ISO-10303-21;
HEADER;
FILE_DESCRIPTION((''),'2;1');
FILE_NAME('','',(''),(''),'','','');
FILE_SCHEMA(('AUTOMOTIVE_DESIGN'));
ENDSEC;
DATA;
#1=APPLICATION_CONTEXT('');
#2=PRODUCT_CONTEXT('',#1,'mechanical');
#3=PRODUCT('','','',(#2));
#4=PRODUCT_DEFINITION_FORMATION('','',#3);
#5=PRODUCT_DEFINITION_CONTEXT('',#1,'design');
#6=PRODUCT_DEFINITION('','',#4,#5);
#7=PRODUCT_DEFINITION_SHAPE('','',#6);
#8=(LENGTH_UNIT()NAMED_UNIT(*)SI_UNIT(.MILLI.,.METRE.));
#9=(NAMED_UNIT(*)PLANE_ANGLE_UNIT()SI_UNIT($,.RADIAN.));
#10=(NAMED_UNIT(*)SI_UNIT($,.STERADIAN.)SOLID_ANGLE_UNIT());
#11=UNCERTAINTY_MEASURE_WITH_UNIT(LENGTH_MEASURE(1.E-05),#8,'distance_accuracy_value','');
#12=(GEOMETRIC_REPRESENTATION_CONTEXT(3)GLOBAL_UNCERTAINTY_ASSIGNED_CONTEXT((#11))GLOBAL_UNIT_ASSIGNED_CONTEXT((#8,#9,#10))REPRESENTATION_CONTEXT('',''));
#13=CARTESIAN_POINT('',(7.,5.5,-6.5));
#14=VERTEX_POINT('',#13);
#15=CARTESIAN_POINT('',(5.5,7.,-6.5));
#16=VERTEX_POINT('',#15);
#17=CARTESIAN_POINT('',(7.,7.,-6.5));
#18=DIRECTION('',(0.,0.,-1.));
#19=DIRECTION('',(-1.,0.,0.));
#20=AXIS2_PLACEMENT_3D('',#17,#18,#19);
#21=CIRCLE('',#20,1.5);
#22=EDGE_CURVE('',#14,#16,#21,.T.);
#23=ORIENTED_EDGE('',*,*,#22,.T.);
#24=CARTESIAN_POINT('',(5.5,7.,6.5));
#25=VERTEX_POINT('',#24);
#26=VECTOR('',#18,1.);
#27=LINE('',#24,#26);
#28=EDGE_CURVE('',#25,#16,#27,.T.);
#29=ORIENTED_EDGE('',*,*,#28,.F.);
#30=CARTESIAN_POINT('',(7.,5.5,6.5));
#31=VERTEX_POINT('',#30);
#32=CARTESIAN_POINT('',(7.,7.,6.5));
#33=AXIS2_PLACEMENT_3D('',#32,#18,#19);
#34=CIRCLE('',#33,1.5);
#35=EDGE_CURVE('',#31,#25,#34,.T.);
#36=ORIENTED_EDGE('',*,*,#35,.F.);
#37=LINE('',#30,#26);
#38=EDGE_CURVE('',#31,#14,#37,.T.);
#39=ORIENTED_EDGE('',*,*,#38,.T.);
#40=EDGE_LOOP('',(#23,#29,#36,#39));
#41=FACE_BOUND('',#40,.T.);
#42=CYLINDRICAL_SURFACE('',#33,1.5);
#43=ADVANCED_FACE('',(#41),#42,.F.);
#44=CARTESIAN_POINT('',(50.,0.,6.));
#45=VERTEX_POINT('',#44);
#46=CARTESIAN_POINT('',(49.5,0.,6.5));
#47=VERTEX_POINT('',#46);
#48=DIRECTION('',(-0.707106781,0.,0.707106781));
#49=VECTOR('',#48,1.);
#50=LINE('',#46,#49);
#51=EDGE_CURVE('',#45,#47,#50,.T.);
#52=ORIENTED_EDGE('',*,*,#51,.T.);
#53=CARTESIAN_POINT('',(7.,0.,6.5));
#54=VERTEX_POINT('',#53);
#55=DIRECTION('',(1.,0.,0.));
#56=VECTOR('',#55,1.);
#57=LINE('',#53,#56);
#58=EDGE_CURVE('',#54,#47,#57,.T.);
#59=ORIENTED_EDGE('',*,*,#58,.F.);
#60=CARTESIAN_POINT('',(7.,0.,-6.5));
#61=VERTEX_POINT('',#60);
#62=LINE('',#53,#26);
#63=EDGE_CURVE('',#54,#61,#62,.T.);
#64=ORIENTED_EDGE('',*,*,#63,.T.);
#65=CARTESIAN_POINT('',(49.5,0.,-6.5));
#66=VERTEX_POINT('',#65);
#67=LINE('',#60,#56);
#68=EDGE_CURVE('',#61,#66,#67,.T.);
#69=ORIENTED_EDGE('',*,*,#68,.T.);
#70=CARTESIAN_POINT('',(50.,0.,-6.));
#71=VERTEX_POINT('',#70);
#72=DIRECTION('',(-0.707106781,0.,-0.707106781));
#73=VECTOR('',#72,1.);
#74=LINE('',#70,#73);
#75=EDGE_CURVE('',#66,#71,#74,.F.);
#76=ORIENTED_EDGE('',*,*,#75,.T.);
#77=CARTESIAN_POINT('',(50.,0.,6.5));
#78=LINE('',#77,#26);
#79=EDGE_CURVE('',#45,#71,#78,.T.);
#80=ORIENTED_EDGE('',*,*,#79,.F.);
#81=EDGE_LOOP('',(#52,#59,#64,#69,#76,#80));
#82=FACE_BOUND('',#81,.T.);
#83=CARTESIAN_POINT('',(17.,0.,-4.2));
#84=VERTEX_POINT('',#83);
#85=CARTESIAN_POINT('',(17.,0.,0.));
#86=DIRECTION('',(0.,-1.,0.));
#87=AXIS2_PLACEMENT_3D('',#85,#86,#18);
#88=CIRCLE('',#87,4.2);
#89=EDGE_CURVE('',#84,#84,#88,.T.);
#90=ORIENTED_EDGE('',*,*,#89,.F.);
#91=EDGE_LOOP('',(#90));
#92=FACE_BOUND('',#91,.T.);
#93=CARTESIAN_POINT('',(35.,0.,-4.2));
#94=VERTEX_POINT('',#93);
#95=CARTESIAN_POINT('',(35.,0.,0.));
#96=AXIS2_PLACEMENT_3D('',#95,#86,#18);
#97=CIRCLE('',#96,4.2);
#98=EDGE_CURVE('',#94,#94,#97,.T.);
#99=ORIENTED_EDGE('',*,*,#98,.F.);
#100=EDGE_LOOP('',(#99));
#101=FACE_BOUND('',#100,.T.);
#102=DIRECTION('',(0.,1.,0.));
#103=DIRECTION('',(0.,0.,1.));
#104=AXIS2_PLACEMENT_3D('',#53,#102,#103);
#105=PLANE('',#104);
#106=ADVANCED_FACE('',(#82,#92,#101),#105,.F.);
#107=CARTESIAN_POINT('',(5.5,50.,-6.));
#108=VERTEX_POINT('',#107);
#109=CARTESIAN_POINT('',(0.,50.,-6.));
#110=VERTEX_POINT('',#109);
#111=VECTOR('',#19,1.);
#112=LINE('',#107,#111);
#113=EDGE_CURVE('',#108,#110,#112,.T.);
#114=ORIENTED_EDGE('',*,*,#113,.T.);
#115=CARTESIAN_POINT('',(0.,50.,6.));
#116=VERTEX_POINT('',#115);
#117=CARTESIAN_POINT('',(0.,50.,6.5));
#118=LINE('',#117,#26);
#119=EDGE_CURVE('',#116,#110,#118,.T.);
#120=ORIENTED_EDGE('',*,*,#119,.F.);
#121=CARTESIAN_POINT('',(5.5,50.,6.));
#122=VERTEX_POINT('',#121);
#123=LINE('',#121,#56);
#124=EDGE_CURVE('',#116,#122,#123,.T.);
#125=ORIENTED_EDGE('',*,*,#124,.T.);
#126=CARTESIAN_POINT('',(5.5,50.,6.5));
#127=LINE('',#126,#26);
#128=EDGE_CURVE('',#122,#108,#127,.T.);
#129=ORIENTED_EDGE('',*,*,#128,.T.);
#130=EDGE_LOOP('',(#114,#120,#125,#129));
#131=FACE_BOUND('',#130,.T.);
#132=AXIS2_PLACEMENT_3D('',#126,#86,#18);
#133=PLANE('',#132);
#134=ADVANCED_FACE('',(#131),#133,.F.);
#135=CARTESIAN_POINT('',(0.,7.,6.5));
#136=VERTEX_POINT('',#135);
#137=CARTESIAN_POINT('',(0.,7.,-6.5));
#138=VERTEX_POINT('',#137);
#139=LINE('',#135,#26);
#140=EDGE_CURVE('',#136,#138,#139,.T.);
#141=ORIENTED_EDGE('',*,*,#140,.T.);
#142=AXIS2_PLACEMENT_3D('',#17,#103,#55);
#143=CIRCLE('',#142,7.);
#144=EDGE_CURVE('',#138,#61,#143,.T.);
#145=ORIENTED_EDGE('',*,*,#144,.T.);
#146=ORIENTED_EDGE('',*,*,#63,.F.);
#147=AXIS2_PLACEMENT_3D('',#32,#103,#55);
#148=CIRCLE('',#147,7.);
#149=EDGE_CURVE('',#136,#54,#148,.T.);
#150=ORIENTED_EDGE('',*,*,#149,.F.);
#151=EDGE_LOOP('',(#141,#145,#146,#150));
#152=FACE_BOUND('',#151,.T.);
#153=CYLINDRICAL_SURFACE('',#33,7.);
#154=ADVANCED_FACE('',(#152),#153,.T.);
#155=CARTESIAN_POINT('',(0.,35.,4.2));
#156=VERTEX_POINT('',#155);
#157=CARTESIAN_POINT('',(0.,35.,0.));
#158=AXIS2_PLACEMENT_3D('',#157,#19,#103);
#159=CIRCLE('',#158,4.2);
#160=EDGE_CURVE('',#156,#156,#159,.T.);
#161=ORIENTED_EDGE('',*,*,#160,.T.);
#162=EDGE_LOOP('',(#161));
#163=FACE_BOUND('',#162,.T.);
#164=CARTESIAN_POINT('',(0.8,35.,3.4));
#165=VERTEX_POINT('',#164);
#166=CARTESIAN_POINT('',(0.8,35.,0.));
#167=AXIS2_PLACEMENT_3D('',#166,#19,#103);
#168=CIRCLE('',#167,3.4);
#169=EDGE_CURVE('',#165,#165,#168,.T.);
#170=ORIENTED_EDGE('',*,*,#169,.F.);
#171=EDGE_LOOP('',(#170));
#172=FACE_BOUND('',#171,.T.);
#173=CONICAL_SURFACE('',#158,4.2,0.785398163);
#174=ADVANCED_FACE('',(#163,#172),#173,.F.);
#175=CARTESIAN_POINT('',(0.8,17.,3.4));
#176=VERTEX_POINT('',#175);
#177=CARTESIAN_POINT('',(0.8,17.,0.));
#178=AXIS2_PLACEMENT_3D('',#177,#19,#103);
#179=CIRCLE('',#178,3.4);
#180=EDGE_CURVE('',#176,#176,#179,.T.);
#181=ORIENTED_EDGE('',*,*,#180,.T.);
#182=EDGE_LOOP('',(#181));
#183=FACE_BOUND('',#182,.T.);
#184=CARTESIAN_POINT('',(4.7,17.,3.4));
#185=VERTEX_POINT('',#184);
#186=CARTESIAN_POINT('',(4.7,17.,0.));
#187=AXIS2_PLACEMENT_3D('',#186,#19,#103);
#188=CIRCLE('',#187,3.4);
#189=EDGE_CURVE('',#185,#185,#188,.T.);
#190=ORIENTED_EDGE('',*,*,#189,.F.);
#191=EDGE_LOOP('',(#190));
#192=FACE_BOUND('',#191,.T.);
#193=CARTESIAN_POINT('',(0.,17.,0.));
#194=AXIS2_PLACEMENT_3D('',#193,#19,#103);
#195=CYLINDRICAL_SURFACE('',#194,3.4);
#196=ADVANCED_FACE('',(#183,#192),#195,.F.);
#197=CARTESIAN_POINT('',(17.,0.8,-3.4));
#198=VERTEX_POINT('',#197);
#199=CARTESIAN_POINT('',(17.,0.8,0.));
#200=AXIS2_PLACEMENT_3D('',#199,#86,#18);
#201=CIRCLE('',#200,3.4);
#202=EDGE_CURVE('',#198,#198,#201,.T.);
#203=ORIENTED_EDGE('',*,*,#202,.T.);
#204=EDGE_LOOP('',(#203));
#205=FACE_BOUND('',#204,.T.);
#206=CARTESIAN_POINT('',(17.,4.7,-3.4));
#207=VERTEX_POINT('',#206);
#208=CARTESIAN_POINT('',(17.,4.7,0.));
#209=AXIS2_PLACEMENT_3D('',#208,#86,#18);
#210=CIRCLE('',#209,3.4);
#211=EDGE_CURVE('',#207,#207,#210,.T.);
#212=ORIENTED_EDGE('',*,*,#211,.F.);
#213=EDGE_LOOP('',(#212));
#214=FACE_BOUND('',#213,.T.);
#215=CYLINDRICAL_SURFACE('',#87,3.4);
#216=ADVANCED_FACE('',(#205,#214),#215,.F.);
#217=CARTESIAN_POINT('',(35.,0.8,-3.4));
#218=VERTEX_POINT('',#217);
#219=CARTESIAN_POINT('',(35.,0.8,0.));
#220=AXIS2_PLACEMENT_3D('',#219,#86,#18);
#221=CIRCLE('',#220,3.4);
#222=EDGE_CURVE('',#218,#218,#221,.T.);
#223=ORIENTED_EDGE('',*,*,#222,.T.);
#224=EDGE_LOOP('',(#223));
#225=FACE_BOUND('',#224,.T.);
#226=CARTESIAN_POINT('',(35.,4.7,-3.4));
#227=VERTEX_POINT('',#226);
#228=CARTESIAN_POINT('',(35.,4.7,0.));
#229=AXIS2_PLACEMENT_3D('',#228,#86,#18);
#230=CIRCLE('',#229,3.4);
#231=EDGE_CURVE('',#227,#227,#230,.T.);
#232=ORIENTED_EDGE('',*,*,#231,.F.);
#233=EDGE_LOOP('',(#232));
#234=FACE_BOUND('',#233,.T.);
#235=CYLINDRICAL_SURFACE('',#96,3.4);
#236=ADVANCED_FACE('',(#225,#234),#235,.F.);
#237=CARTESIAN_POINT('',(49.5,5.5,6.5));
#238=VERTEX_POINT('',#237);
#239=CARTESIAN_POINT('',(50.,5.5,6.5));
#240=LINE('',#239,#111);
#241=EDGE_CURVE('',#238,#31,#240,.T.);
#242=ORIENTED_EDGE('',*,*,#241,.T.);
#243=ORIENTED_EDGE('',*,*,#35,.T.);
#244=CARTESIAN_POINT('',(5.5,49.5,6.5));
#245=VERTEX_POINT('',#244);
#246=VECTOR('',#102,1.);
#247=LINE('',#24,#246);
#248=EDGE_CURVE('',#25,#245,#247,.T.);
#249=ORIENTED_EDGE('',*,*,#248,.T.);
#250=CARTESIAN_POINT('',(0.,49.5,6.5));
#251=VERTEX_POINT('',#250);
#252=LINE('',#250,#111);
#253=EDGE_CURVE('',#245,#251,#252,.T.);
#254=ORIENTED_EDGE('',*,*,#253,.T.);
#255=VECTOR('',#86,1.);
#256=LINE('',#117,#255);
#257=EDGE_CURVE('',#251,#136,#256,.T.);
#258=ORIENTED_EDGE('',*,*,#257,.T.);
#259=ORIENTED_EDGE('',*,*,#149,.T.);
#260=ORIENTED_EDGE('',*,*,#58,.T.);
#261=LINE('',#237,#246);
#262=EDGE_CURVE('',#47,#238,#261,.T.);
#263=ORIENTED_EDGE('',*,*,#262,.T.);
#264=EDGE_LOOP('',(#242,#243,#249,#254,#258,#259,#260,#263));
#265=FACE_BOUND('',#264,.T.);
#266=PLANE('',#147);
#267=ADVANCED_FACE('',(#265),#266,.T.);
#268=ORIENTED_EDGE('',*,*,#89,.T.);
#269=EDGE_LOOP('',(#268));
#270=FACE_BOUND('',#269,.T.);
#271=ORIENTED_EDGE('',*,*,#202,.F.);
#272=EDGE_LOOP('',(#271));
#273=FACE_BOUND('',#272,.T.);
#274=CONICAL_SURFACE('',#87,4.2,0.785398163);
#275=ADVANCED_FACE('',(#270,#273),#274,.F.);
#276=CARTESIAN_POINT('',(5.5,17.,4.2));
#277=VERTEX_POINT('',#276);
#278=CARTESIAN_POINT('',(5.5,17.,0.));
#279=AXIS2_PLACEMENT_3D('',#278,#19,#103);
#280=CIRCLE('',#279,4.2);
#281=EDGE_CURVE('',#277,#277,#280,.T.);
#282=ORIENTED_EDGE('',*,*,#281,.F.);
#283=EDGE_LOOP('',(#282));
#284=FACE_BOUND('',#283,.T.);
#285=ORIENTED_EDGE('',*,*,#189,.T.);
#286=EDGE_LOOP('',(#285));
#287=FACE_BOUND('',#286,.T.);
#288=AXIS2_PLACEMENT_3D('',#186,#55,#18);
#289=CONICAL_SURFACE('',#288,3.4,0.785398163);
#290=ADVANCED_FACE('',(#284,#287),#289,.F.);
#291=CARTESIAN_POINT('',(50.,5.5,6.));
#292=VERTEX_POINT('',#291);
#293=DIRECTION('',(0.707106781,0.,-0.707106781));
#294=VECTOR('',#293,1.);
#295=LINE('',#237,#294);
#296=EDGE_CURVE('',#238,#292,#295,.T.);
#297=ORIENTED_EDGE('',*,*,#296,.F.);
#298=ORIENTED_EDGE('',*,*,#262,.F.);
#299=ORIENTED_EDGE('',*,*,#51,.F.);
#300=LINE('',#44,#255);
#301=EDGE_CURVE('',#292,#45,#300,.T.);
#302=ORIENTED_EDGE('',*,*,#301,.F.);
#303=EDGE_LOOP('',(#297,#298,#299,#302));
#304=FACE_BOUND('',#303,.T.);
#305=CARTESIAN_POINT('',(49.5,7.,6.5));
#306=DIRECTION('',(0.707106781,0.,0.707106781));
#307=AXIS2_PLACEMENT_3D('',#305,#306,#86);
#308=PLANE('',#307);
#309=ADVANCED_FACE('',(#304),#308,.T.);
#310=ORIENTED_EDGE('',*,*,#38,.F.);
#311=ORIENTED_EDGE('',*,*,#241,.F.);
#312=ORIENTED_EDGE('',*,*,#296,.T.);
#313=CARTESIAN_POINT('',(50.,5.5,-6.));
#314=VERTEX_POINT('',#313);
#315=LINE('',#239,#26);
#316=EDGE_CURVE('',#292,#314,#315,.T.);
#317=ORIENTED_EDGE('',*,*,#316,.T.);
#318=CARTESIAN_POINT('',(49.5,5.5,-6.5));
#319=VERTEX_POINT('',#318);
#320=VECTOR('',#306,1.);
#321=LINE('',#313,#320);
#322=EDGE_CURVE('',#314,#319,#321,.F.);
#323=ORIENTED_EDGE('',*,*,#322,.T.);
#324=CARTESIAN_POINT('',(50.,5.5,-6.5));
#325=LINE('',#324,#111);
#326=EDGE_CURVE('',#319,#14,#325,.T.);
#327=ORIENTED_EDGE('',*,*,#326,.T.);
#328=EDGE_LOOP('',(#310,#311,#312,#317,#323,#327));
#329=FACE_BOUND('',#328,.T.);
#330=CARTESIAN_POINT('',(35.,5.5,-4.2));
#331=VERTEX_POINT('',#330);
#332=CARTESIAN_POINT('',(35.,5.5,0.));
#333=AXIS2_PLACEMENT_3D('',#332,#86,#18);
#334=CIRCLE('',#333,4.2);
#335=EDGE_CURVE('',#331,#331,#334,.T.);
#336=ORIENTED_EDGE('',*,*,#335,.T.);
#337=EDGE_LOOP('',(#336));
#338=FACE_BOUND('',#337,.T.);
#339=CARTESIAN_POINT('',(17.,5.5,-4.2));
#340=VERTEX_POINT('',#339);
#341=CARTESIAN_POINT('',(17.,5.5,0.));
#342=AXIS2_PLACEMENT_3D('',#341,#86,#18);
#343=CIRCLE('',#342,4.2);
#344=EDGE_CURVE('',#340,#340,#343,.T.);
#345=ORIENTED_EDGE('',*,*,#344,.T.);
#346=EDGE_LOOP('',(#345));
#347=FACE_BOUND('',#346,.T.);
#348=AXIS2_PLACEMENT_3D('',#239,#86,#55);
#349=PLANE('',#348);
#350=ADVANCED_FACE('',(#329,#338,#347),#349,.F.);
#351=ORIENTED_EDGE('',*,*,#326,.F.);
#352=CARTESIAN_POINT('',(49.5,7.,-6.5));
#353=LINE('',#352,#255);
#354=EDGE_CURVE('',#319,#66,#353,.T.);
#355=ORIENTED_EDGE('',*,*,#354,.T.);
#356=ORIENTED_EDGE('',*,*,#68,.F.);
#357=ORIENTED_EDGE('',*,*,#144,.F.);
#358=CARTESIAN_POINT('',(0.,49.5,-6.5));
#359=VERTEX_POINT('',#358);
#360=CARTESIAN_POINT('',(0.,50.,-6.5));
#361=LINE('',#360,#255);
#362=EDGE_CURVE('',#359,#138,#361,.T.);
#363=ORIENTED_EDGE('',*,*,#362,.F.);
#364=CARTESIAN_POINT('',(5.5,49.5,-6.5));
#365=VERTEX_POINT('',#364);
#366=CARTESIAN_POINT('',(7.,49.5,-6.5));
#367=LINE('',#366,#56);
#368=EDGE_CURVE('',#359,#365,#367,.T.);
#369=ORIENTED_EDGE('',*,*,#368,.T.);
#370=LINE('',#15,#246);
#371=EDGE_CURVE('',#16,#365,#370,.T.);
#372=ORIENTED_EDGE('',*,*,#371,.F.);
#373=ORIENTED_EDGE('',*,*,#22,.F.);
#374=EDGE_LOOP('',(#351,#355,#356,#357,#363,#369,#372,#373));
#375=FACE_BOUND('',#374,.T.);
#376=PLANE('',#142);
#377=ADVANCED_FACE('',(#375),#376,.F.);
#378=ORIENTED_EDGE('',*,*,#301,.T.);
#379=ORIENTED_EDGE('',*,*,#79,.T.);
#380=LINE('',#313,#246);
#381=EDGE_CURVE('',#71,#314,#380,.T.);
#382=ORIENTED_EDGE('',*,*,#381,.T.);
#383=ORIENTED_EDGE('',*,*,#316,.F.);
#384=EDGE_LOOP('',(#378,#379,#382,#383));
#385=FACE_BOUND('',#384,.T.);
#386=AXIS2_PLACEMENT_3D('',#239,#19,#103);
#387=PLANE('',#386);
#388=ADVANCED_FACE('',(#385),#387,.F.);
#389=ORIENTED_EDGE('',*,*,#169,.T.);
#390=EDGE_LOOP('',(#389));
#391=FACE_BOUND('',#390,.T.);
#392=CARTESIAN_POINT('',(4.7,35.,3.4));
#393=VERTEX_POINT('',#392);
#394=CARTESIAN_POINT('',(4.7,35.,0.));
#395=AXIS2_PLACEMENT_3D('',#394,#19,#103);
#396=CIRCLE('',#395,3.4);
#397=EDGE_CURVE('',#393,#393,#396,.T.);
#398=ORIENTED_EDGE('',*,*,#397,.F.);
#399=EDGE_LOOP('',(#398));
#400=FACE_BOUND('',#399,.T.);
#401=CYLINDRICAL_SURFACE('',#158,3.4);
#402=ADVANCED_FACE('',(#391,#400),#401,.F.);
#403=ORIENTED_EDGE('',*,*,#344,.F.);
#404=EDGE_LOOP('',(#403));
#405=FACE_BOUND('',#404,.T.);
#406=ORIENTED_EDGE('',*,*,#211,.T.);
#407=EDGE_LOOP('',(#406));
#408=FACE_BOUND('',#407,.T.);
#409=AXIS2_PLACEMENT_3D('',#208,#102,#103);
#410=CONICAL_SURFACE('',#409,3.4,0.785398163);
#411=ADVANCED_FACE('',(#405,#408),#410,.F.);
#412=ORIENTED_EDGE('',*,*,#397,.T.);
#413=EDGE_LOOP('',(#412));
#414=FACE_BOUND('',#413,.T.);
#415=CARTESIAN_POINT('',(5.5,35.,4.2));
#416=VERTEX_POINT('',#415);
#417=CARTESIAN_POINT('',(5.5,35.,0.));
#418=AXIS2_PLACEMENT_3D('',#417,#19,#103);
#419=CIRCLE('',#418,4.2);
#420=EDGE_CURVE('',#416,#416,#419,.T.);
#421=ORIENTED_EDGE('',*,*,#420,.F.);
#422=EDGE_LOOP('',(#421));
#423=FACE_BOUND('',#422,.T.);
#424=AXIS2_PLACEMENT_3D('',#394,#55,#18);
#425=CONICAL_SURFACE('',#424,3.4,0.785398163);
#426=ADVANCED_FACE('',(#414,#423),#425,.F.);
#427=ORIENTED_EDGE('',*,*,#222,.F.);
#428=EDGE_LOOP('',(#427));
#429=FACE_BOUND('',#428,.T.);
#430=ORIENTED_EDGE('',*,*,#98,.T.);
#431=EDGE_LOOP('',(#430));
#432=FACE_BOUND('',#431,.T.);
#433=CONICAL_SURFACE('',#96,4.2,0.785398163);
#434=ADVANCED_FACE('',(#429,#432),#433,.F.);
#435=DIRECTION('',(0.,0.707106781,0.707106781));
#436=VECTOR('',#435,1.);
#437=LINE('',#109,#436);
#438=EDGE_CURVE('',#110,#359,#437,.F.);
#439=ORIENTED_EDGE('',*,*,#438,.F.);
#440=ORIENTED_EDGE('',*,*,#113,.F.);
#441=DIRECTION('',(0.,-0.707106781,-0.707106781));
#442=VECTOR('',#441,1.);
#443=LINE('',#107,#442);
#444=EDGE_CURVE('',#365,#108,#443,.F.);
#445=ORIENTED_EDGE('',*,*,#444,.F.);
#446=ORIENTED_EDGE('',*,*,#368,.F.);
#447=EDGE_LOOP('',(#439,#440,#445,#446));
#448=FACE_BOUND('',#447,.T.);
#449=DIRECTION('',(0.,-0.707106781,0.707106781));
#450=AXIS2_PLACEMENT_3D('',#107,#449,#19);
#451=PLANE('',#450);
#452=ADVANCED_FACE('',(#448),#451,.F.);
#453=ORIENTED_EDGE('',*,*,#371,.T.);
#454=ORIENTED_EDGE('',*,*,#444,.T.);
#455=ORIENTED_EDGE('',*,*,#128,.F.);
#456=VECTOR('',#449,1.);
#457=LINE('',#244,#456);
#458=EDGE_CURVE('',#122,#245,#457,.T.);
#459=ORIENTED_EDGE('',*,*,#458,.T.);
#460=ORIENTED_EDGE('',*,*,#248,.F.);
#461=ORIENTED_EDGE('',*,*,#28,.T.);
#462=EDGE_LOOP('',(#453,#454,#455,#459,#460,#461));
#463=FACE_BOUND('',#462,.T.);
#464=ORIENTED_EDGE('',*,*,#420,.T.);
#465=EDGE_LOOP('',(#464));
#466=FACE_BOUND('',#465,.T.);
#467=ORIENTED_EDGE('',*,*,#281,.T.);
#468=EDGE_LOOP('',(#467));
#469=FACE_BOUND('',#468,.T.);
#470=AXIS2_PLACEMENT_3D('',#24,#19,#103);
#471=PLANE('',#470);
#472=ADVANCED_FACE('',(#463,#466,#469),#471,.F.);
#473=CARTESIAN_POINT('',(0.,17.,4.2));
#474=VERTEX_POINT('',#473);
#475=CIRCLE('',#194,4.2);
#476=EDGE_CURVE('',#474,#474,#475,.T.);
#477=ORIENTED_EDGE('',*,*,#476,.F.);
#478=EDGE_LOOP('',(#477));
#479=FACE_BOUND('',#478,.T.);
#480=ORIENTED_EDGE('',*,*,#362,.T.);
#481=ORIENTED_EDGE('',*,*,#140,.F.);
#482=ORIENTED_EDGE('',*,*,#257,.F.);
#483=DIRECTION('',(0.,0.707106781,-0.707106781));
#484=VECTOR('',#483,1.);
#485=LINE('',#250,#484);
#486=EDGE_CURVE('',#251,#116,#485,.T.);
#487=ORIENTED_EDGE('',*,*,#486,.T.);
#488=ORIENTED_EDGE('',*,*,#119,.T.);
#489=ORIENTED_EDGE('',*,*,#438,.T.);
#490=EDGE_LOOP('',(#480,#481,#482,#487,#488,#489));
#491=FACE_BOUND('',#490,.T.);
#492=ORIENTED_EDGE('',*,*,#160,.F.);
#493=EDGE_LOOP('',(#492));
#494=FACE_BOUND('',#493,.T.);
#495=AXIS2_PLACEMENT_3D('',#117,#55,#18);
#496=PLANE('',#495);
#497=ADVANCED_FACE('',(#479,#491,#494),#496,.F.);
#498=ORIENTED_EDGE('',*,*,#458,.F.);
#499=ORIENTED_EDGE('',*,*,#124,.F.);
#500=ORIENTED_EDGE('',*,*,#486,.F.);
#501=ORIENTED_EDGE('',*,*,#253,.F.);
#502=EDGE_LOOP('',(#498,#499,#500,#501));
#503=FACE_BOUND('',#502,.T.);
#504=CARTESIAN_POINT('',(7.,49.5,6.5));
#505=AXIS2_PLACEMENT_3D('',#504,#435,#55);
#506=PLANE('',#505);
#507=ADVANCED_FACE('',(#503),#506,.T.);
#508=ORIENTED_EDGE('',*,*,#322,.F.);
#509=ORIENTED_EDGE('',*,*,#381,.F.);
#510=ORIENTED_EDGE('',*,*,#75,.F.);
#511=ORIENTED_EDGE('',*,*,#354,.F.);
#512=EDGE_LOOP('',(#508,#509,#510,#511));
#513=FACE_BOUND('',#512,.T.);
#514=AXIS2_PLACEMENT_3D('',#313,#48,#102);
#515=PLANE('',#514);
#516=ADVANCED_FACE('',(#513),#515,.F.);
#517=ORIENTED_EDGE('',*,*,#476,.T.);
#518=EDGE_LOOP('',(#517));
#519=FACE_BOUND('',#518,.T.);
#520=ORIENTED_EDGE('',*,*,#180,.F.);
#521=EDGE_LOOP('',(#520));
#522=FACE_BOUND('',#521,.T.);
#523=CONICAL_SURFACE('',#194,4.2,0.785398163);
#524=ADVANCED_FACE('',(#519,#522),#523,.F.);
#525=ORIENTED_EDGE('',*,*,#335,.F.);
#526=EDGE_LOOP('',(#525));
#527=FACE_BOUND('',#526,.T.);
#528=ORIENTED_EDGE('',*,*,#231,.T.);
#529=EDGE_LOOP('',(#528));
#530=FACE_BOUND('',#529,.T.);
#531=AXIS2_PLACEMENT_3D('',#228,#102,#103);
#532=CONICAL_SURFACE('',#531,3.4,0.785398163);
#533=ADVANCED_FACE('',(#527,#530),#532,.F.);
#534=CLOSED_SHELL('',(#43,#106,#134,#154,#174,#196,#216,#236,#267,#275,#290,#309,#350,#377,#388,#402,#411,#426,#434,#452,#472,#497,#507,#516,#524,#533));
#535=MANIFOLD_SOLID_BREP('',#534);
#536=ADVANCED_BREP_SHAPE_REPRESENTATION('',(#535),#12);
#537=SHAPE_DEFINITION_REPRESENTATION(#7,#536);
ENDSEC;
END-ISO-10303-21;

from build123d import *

# Parameters (mm, degrees)
EXTRUDE_1_DEPTH            = 6.5
HOLE_WIZARD_M81_AT_2_COUNT = 2
HOLE_WIZARD_M81_AT_2_PITCH = 18
CHAMFER_1_SIZE             = 0.5


with BuildPart() as part:
    # Эскиз1 → Бобышка-Вытянуть1 (new body, symmetric)
    with BuildSketch(Plane.XY):
        with BuildLine():
            Line((0, 50), (0, 7))
            ThreePointArc((0, 7), (2.050252532, 2.050252532), (7, 0))
            Line((7, 0), (50, 0))
            Line((50, 0), (50, 5.5))
            Line((50, 5.5), (7, 5.5))
            ThreePointArc((7, 5.5), (5.939339828, 5.939339828), (5.5, 7))
            Line((5.5, 7), (5.5, 50))
            Line((5.5, 50), (0, 50))
        make_face()
    extrude(amount=EXTRUDE_1_DEPTH, both=True)

    # Эскиз5 → Отверстие обработанное метчиком M81 (revolve, cut)
    with BuildSketch(Plane.ZX.offset(35)):
        Polygon((0, 0), (0, 5.5), (4.2, 5.5), (3.4, 4.7), (3.4, 0.8), (4.2, 0), align=None)
    hole_wizard_m81 = revolve(axis=Axis((-6.35, 35, 0), (1, 0, 0)), mode=Mode.SUBTRACT)

    # Отверстие обработанное метчиком M81 at 2: Отверстие обработанное метчиком M81 ×2
    with Locations(*[(0, -i * HOLE_WIZARD_M81_AT_2_PITCH, 0) for i in range(1, HOLE_WIZARD_M81_AT_2_COUNT)]):
        add(hole_wizard_m81, mode=Mode.SUBTRACT)

    # Зеркальное отражение1: Отверстие обработанное метчиком M81 across plane
    add(hole_wizard_m81.mirror(Plane(origin=(0, 0, 0), x_dir=(0, 0, 1), z_dir=(-0.707106781, 0.707106781, 0))), mode=Mode.SUBTRACT)

    # Зеркальное отражение1 copy 1 sketch → Зеркальное отражение1 copy 1 (revolve, cut)
    with BuildSketch(Plane(origin=(17, 0, 0), x_dir=(0, 0, 1), z_dir=(1, 0, 0))):
        Polygon((0, 0), (0, -5.5), (4.2, -5.5), (3.4, -4.7), (3.4, -0.8), (4.2, 0), align=None)
    revolve(axis=Axis((17, -6.35, 0), (0, -1, 0)), mode=Mode.SUBTRACT)

    # Фаска1
    chamfer_1_edges = [part.edges().sort_by_distance(p)[0] for p in [
        (2.75, 50, -6.5),
        (50, 2.75, 6.5),
        (2.75, 50, 6.5),
        (50, 2.75, -6.5),
    ]]
    chamfer(chamfer_1_edges, length=CHAMFER_1_SIZE)


solid = part.part
